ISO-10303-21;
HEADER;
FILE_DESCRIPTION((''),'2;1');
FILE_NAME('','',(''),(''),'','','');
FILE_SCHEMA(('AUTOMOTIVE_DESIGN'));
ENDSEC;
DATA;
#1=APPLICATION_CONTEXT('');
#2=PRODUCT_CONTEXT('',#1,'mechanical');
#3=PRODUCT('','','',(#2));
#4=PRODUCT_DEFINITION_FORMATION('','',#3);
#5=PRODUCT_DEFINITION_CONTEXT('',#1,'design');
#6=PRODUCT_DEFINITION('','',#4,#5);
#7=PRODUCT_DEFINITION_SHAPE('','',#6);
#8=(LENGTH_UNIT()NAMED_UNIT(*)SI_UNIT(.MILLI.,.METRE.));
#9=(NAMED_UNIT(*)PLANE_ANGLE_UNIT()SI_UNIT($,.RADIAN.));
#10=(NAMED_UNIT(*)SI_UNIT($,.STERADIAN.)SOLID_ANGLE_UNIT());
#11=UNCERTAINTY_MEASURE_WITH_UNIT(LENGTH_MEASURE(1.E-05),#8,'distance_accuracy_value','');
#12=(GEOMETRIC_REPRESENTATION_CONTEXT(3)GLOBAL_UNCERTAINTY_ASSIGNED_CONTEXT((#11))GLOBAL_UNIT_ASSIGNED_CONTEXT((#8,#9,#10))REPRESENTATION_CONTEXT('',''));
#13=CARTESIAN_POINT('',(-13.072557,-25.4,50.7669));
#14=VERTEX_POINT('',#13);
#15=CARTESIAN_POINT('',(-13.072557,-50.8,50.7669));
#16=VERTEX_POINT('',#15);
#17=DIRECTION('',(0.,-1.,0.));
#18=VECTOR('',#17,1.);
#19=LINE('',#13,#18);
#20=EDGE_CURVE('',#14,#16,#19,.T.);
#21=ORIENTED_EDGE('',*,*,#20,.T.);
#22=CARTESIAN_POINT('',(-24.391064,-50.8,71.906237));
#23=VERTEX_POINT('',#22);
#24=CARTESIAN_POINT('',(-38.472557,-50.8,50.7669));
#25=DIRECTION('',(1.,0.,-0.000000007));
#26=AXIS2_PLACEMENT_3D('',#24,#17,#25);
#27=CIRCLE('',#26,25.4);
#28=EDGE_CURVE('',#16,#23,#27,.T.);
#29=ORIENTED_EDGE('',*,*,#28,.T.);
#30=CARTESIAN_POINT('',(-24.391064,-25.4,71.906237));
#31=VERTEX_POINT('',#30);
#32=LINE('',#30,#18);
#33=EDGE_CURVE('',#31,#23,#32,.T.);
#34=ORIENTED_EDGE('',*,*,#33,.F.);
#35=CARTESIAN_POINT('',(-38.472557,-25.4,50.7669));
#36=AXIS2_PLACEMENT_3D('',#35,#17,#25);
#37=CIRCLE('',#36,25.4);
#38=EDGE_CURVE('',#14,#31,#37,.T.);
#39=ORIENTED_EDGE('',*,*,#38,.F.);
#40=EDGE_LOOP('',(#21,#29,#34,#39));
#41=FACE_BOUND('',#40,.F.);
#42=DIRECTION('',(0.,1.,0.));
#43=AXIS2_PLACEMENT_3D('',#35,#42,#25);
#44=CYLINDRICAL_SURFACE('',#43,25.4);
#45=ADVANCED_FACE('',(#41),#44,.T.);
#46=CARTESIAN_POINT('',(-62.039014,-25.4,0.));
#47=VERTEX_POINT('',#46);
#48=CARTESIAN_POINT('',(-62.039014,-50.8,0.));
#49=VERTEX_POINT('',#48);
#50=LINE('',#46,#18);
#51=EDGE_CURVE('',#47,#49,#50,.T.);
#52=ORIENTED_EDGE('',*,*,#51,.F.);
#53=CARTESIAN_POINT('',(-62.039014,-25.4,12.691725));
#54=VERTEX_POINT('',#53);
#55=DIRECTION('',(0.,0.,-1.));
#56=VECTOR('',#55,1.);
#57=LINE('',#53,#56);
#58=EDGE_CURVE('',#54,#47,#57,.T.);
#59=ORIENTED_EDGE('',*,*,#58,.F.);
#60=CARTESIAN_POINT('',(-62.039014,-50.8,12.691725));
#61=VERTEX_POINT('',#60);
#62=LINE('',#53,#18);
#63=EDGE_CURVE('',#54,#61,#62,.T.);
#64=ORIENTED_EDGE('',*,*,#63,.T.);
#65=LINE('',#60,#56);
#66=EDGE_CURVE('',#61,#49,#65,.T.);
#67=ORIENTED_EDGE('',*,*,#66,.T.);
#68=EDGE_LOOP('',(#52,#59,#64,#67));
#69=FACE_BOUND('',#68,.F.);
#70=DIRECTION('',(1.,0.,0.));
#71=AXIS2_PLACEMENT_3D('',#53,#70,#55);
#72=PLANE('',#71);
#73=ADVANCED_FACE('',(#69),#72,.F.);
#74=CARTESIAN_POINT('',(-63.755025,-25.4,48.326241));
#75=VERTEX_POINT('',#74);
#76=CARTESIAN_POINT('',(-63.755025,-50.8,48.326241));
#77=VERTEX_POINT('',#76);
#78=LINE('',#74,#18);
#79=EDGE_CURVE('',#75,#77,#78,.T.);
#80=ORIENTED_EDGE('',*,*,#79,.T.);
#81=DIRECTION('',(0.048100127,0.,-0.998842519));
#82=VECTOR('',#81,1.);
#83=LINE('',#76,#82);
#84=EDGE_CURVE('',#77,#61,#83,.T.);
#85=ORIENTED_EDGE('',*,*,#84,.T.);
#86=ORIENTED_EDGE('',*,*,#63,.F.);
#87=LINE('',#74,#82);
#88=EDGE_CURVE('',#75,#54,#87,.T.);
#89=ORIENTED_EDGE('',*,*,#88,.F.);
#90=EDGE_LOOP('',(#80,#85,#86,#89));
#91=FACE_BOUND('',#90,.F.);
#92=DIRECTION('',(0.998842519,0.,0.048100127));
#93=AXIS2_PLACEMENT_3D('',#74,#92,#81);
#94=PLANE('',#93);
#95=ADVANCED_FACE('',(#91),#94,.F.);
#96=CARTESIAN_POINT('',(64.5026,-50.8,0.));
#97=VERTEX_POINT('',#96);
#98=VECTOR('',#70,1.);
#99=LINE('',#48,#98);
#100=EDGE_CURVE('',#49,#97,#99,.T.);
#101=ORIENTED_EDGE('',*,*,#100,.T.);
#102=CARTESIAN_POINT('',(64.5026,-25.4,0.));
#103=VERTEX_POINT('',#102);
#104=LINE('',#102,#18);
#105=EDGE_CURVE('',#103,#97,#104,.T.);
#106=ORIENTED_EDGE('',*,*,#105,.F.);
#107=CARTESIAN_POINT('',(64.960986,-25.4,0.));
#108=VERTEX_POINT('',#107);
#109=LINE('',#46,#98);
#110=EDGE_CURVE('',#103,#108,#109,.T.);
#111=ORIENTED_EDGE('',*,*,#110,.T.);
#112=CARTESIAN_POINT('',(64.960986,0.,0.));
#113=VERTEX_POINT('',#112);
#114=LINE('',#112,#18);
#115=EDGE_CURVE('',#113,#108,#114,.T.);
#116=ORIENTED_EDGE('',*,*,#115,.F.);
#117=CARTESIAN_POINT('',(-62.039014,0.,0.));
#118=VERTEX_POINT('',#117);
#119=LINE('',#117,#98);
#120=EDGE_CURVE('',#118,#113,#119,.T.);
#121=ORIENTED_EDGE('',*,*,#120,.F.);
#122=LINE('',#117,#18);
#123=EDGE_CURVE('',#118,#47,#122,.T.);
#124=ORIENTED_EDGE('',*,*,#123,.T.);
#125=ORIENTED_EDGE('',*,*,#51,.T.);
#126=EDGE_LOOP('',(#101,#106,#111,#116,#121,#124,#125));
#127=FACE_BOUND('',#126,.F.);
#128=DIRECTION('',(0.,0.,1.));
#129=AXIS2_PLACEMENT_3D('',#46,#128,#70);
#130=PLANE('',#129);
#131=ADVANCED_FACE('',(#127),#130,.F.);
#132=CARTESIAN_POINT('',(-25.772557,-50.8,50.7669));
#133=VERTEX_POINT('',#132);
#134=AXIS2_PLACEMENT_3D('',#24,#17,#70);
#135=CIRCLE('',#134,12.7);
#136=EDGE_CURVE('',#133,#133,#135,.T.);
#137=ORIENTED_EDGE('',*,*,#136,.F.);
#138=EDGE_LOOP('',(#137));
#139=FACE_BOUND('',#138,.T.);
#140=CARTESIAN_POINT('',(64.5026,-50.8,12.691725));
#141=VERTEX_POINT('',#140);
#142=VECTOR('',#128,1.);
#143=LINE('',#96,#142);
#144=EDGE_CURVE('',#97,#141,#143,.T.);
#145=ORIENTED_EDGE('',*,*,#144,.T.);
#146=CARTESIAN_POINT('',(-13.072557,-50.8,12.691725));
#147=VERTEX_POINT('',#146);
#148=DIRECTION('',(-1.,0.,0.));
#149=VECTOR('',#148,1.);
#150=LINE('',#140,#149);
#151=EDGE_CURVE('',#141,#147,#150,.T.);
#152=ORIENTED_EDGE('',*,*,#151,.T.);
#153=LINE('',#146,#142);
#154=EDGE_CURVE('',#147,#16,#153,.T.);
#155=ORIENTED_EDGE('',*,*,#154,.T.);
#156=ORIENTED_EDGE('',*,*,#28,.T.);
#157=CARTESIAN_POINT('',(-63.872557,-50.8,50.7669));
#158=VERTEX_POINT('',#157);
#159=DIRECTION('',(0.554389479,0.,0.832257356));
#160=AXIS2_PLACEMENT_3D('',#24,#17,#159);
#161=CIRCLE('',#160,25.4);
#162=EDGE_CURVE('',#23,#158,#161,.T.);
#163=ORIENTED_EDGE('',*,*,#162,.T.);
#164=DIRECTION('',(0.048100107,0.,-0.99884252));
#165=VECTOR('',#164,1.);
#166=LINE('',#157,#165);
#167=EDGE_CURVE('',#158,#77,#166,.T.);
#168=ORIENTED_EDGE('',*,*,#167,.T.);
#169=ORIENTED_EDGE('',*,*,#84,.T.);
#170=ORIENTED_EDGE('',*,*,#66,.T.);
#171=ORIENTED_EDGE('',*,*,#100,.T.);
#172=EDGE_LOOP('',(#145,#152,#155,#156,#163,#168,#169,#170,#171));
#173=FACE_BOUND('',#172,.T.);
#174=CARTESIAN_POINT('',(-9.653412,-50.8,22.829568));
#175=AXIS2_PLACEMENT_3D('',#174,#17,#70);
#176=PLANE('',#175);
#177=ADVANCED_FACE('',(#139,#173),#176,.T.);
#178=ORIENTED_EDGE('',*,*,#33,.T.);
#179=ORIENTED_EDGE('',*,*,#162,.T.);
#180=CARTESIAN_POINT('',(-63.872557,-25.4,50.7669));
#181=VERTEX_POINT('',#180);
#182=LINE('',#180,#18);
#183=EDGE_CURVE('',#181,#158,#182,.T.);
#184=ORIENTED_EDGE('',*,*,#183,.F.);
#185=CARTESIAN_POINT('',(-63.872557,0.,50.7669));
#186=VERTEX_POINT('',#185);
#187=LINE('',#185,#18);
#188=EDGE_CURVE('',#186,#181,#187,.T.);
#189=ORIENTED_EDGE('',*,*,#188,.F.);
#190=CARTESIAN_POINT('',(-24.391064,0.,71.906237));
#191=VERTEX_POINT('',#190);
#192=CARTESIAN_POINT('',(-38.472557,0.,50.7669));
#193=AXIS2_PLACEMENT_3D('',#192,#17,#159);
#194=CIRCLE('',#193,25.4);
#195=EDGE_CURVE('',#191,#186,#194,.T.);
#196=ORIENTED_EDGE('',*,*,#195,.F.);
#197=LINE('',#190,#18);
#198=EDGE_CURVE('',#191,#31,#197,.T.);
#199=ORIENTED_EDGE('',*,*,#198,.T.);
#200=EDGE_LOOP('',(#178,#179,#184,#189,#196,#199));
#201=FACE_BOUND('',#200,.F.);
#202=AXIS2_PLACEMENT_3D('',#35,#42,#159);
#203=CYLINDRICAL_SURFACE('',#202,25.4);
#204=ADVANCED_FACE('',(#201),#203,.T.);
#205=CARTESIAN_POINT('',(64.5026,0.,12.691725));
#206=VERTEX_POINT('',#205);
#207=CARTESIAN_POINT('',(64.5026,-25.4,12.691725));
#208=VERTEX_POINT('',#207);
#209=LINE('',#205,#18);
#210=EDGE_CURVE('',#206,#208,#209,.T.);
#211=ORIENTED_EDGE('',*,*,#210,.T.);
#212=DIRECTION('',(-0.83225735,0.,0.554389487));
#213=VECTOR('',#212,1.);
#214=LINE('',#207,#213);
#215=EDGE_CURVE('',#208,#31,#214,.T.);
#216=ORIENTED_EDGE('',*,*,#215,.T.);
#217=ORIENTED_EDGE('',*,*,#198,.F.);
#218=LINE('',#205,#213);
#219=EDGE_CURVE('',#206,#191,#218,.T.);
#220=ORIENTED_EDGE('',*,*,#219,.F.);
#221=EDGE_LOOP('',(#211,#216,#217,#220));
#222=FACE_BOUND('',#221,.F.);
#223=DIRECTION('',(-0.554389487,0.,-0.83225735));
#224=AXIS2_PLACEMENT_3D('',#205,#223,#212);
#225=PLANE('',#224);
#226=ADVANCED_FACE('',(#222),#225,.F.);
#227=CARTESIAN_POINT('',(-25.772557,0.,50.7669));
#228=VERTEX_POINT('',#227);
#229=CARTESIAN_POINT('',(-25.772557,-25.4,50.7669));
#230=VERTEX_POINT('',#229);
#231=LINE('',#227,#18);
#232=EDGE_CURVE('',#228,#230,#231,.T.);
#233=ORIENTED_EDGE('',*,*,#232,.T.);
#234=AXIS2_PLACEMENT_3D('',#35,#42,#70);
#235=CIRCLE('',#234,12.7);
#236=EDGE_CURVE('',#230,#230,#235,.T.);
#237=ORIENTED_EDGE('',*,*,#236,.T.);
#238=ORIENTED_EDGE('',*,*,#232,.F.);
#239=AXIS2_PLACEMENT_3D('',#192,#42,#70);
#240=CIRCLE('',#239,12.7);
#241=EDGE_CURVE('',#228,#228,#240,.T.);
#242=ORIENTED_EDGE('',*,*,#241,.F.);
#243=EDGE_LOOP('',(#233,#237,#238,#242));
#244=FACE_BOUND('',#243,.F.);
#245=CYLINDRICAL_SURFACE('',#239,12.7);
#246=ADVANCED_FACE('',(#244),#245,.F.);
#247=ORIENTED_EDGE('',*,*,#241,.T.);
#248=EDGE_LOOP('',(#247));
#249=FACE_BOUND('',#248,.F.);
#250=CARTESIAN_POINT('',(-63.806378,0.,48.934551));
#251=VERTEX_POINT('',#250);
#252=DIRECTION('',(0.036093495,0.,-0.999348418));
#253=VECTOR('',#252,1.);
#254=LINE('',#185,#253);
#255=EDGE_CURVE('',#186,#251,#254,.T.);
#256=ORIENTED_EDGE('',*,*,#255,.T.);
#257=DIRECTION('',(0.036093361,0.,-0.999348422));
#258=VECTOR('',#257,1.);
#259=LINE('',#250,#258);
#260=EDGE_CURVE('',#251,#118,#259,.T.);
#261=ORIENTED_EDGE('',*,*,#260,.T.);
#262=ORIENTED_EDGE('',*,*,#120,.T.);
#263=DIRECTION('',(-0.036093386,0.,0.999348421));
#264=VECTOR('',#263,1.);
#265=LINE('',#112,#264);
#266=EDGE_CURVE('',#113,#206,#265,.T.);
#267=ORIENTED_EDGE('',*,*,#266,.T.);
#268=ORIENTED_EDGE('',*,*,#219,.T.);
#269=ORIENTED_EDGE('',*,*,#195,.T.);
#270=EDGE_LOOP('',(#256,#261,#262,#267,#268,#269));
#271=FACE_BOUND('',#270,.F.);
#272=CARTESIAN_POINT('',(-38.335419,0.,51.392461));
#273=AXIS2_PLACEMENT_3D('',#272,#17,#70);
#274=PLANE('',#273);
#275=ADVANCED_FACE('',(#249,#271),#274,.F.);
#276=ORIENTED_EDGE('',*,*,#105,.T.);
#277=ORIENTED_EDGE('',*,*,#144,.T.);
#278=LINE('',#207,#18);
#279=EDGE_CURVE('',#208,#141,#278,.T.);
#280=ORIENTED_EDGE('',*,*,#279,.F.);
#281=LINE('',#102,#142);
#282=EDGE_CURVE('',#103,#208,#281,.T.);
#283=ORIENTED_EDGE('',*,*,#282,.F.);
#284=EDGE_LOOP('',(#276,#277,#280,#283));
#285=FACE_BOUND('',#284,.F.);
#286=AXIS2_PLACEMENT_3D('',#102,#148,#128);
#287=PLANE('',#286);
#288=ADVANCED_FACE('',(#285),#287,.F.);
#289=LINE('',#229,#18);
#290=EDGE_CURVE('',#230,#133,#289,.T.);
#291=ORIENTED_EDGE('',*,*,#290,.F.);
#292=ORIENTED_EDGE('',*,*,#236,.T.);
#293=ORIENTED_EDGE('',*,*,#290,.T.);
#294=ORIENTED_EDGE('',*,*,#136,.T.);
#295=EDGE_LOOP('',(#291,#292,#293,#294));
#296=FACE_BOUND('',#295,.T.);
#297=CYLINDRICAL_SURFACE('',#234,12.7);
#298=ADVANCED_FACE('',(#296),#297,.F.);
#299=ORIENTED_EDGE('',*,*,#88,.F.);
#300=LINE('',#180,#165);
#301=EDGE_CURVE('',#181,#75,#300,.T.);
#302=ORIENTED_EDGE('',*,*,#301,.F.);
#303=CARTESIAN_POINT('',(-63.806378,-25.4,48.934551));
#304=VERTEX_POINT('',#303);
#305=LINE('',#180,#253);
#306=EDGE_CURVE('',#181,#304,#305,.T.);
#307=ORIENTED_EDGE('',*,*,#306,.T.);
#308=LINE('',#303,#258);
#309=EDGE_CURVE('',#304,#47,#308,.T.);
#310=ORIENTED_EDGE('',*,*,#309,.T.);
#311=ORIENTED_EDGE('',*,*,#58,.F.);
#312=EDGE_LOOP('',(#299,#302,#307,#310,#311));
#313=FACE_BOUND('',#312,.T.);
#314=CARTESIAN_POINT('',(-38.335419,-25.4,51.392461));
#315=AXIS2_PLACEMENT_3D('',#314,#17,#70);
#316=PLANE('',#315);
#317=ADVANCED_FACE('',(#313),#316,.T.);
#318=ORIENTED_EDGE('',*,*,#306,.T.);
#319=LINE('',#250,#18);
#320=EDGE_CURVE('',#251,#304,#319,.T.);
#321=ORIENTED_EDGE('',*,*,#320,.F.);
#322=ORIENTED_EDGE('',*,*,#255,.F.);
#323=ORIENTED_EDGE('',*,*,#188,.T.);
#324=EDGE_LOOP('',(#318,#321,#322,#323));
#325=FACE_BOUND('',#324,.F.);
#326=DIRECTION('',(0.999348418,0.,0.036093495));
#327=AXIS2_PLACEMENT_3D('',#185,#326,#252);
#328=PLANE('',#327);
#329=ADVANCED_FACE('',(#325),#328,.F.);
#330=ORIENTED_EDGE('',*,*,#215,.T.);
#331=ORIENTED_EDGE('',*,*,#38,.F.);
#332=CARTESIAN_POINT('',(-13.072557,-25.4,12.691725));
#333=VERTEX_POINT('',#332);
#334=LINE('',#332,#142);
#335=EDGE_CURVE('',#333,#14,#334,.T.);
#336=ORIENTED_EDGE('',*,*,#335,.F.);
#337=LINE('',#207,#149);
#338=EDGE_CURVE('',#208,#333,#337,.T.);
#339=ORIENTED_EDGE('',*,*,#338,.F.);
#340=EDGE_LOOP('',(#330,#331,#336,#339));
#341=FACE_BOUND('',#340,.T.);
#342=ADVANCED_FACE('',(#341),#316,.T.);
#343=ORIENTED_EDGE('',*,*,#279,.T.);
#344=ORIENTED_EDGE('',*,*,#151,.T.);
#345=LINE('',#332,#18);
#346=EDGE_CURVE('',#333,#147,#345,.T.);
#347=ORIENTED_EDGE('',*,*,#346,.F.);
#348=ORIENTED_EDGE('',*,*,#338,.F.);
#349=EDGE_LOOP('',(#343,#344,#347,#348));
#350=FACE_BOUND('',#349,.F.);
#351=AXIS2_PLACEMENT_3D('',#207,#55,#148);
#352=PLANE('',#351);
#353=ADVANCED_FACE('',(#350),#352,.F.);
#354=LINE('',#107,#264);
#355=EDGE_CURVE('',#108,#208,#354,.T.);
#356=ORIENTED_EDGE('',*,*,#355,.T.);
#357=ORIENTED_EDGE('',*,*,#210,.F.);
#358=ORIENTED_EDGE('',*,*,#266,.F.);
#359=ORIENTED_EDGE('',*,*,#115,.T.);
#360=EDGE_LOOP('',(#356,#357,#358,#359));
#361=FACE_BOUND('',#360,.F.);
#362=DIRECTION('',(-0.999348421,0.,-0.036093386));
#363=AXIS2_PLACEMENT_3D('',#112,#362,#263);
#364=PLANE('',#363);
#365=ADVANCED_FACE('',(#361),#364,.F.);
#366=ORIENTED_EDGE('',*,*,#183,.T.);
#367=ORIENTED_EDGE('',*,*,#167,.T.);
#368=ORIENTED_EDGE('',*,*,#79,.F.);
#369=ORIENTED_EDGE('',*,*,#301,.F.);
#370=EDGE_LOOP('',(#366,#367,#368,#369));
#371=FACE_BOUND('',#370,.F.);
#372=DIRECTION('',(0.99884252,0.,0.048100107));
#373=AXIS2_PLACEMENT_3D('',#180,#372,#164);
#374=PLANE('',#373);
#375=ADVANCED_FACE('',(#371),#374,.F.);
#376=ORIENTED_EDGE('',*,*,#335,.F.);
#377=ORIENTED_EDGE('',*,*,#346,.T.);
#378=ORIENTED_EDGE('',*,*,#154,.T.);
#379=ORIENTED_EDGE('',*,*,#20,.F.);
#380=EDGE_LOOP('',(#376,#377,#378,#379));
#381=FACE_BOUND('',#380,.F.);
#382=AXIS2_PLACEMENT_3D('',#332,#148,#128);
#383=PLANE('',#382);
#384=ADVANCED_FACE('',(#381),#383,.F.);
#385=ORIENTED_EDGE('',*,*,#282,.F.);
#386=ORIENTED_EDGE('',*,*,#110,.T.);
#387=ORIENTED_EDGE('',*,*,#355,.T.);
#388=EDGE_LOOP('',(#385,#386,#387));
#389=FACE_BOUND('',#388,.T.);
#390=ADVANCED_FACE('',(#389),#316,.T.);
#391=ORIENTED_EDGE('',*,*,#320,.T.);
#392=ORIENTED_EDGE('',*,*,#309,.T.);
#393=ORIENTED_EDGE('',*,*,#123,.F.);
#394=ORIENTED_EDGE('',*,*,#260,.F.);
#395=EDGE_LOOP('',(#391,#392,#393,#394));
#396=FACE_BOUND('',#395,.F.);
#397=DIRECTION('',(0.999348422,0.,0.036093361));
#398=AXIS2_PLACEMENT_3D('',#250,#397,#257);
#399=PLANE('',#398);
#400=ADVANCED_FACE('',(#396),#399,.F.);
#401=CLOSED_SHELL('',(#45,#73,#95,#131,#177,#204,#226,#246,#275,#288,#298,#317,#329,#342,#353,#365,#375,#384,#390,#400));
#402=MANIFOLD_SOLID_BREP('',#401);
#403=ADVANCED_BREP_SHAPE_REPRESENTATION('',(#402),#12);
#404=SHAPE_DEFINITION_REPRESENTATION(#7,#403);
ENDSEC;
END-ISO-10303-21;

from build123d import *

# Parameters (mm, degrees)
F1_DEPTH = 25.4
F2_R     = 12.7
F3_DEPTH = 25.4


with BuildPart() as f1:
    # F0 (on Front) → F1 (new body)
    with BuildSketch(Plane.XZ):
        with BuildLine():
            ThreePointArc((-24.391064, 71.906237), (-50.461929, 73.159197), (-63.872557, 50.7669))
            Line((-63.872557, 50.7669), (-63.806378, 48.934551))
            ThreePointArc((-63.806378, 48.934551), (-37.555786, 25.38345), (-13.072557, 50.7669))
            ThreePointArc((-13.072557, 50.7669), (-16.08026, 62.756272), (-24.391064, 71.906237))
        make_face()
        with BuildLine():
            ThreePointArc((-51.172557, 50.7669), (-38.472557, 63.4669), (-25.772557, 50.7669))
            ThreePointArc((-25.772557, 50.7669), (-38.472557, 38.0669), (-51.172557, 50.7669))
        make_face(mode=Mode.SUBTRACT)
        with BuildLine():
            Line((64.5026, 12.691725), (-24.391064, 71.906237))
            ThreePointArc((-24.391064, 71.906237), (-16.08026, 62.756272), (-13.072557, 50.7669))
            ThreePointArc((-13.072557, 50.7669), (-37.555786, 25.38345), (-63.806378, 48.934551))
            Line((-63.806378, 48.934551), (-62.039014, 0))
            Line((-62.039014, 0), (64.960986, 0))
            Line((64.960986, 0), (64.5026, 12.691725))
        make_face()
    extrude(amount=F1_DEPTH)

    # F2 (on face) → F3 (join)
    with BuildSketch(Plane.XZ.offset(25.4)):
        with BuildLine():
            Line((-13.072557, 12.691725), (-13.072557, 50.7669))
            ThreePointArc((-13.072557, 50.7669), (-16.08026, 62.756272), (-24.391064, 71.906237))
            ThreePointArc((-24.391064, 71.906237), (-50.461929, 73.159197), (-63.872557, 50.7669))
            Line((-63.872557, 50.7669), (-63.755025, 48.326241))
            Line((-63.755025, 48.326241), (-62.039014, 12.691725))
            Line((-62.039014, 12.691725), (-62.039014, 0))
            Line((-62.039014, 0), (64.5026, 0))
            Line((64.5026, 0), (64.5026, 12.691725))
            Line((64.5026, 12.691725), (-13.072557, 12.691725))
        make_face()
        with Locations((-38.472557, 50.7669)):
            Circle(F2_R, mode=Mode.SUBTRACT)
    extrude(amount=F3_DEPTH)


solid = f1.part
